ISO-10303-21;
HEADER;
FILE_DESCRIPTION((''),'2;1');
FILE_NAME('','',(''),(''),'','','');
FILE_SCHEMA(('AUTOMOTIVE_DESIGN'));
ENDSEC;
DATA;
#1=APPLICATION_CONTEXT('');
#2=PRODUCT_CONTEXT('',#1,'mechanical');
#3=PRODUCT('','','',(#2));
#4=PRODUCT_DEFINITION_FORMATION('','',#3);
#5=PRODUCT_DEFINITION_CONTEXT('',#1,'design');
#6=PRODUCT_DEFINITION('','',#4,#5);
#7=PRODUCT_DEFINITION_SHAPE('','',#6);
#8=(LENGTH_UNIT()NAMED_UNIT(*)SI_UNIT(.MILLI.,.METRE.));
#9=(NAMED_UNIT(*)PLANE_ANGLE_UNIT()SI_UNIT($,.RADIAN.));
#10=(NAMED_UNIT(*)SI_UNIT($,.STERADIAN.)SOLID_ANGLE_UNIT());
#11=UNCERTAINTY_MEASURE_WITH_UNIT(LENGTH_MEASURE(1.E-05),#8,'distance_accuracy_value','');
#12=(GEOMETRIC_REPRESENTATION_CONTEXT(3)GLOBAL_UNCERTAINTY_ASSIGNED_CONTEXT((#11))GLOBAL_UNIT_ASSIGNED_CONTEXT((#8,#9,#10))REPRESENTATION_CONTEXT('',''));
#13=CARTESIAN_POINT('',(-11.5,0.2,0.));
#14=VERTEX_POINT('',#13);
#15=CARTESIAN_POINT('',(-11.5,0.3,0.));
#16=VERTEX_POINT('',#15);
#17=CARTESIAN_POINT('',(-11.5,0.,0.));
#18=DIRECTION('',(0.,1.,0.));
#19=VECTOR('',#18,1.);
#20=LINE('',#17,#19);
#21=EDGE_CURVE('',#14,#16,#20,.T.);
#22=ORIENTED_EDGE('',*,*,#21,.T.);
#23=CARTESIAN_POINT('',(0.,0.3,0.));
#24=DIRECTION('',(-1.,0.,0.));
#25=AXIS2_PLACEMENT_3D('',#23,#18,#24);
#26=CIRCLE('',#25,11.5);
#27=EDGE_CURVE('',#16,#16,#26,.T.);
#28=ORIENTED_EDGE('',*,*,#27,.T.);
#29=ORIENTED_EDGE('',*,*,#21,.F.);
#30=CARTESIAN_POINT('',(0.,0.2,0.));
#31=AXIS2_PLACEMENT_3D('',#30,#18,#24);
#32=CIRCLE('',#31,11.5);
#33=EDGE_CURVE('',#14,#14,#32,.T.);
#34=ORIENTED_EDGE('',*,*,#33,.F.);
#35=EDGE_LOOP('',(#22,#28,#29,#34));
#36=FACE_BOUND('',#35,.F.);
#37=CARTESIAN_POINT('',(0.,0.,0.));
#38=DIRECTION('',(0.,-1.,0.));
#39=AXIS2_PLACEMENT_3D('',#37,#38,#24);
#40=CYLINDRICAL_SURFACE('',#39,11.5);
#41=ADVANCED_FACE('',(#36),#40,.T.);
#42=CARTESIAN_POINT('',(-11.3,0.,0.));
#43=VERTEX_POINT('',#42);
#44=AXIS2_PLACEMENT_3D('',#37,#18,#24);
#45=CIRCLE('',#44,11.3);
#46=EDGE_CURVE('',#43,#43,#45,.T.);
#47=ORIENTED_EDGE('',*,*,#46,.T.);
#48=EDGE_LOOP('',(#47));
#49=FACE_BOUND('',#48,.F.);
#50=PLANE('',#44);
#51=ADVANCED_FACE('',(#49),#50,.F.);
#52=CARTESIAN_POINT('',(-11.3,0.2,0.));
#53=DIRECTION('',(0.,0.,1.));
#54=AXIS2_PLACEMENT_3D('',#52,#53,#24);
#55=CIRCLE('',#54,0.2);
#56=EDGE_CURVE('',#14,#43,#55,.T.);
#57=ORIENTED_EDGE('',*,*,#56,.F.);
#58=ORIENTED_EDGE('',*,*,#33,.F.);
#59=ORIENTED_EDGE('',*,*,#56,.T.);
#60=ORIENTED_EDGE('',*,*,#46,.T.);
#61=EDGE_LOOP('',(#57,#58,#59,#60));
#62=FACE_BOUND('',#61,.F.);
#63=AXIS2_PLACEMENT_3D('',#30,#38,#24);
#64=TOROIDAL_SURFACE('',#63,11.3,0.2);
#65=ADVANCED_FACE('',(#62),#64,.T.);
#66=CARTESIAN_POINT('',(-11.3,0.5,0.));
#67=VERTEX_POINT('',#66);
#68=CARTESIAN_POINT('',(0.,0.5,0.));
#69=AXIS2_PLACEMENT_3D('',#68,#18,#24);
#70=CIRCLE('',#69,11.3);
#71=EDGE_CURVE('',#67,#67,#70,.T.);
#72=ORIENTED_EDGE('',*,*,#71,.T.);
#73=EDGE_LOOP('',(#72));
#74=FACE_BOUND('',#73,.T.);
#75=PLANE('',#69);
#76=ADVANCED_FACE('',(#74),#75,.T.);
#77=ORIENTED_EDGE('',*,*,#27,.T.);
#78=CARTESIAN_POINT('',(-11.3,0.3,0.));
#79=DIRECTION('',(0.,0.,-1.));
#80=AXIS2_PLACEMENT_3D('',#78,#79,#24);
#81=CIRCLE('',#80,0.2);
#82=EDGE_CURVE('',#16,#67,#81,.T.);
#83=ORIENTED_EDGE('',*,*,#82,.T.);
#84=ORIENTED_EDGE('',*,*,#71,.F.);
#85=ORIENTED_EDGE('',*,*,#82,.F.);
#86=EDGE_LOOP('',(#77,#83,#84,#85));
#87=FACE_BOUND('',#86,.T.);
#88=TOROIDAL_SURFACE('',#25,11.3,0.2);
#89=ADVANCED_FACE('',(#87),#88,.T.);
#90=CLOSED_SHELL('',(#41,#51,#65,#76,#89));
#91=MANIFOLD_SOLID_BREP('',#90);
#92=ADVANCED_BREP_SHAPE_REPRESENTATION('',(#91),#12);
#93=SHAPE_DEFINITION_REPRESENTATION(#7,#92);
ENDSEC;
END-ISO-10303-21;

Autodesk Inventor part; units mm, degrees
ref_plane "YZ Plane" through (0, 0, 0) normal (1, 0, 0) x (0, 1, 0)
ref_plane "XZ Plane" through (0, 0, 0) normal (0, 1, 0) x (-1, 0, 0)
ref_plane "XY Plane" through (0, 0, 0) normal (0, 0, 1) x (1, 0, 0)
sketch "Sketch1" plane through (0, 0, 0) normal (0, 1, 0) x (-1, 0, 0)
  circle A0 centre (0, 0) radius 11.5
  dimension "d0" = 23
extrude "Extrusion1" add sketch "Sketch1" along normal blind 0.5
fillet "Fillet1" radius 0.2 2 edges at (11.5, 0.5, 0) (11.5, 0, 0)
properties part number "Lens"
